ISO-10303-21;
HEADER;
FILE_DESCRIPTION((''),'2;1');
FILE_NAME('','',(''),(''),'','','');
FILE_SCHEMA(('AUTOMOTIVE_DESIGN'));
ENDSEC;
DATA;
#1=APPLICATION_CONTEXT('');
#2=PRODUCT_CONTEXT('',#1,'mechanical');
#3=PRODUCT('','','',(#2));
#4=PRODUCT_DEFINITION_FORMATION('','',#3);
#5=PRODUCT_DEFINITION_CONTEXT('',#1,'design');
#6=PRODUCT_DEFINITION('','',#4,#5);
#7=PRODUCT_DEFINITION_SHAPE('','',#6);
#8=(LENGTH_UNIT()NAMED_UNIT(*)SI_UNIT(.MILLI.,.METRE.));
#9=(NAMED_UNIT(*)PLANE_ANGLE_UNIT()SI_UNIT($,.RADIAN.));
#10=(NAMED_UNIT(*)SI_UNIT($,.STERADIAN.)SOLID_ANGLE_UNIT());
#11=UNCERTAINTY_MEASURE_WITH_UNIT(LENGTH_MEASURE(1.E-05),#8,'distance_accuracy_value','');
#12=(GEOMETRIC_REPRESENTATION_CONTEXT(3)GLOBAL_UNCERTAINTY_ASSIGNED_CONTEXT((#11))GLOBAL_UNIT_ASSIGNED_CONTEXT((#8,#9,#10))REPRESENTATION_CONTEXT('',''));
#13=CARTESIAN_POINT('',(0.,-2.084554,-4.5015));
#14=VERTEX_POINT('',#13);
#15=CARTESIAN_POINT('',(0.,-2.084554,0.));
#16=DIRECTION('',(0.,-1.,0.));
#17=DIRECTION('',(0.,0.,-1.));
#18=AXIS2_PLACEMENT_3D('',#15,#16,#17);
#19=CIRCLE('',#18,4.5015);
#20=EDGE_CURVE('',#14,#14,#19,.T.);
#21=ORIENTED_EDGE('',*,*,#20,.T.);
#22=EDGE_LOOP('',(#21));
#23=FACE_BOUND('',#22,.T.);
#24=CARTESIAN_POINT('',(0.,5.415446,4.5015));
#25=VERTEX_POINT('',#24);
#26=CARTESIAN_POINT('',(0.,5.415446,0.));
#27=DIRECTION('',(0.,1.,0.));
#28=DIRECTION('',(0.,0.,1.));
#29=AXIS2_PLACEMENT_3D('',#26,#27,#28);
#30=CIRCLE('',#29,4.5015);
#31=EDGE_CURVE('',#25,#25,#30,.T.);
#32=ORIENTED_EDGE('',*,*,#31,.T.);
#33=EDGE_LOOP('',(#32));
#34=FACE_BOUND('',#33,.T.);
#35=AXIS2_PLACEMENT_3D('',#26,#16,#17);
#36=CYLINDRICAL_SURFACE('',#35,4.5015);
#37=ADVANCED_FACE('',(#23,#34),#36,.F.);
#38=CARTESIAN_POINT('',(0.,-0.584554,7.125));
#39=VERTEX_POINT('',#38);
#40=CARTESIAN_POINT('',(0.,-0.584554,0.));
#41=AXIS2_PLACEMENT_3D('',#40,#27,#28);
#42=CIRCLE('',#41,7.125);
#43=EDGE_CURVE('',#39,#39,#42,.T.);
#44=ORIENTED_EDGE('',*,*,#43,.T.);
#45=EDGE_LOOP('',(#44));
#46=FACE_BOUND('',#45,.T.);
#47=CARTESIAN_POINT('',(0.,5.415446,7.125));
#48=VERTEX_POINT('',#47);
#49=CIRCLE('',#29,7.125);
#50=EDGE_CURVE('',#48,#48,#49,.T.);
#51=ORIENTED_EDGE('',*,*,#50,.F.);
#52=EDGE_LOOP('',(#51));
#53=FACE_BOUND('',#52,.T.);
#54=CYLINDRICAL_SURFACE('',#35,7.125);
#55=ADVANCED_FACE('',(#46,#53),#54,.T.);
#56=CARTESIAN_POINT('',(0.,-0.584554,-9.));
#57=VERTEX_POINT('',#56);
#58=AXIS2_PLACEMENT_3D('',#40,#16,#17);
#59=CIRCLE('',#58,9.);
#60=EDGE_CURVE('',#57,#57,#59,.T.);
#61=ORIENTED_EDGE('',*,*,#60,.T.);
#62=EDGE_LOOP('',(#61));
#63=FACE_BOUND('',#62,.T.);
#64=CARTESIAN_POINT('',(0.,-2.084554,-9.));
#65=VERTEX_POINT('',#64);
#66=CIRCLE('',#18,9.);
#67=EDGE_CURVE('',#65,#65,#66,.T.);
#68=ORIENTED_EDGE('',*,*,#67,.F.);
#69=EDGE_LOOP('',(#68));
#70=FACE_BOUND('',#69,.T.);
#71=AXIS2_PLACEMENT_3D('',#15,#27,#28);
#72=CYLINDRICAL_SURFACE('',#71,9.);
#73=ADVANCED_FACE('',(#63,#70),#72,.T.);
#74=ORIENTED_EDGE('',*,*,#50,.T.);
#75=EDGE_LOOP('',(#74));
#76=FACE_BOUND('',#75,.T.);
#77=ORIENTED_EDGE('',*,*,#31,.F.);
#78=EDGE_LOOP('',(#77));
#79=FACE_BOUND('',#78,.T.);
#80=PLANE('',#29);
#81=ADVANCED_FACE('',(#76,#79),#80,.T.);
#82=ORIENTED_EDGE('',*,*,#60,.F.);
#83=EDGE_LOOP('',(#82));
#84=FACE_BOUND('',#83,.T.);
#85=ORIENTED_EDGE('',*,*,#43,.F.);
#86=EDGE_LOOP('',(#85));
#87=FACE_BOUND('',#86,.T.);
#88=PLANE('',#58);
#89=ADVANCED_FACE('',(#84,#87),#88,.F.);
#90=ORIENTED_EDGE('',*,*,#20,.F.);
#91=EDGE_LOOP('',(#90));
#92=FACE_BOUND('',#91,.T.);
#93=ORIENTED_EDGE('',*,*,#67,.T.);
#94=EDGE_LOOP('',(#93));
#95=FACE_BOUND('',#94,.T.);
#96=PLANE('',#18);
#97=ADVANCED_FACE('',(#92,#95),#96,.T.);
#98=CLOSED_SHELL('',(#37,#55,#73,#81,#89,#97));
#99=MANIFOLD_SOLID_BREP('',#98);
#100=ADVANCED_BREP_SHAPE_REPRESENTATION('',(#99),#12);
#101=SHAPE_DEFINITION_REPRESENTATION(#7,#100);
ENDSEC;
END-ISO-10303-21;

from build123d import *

# Parameters (mm, degrees)
SKETCH1_R           = 4.75
SKETCH1_R_2         = 3.001
BOSS_EXTRUDE1_DEPTH = 4
SKETCH2_R           = 6
SKETCH2_R_2         = 3.001
BOSS_EXTRUDE2_DEPTH = 1
SCALE1_SCALE        = 1.5


with BuildPart() as part:
    # Sketch1 → Boss-Extrude1 (new body)
    with BuildSketch(Plane(origin=(0, 0, 0), x_dir=(1, 0, 0), z_dir=(0, 1, 0))):
        Circle(SKETCH1_R)
        Circle(SKETCH1_R_2, mode=Mode.SUBTRACT)
    extrude(amount=BOSS_EXTRUDE1_DEPTH)

    # Sketch2 → Boss-Extrude2 (add)
    with BuildSketch(Plane.XZ):
        Circle(SKETCH2_R)
        Circle(SKETCH2_R_2, mode=Mode.SUBTRACT)
    extrude(amount=BOSS_EXTRUDE2_DEPTH)


with BuildPart() as part_1:
    # Scale1: scaled about (0, 1.169108574, 0)
    add(part.part.scale(SCALE1_SCALE).moved(Location((0, -0.584554287, 0))))


solid = part_1.part
